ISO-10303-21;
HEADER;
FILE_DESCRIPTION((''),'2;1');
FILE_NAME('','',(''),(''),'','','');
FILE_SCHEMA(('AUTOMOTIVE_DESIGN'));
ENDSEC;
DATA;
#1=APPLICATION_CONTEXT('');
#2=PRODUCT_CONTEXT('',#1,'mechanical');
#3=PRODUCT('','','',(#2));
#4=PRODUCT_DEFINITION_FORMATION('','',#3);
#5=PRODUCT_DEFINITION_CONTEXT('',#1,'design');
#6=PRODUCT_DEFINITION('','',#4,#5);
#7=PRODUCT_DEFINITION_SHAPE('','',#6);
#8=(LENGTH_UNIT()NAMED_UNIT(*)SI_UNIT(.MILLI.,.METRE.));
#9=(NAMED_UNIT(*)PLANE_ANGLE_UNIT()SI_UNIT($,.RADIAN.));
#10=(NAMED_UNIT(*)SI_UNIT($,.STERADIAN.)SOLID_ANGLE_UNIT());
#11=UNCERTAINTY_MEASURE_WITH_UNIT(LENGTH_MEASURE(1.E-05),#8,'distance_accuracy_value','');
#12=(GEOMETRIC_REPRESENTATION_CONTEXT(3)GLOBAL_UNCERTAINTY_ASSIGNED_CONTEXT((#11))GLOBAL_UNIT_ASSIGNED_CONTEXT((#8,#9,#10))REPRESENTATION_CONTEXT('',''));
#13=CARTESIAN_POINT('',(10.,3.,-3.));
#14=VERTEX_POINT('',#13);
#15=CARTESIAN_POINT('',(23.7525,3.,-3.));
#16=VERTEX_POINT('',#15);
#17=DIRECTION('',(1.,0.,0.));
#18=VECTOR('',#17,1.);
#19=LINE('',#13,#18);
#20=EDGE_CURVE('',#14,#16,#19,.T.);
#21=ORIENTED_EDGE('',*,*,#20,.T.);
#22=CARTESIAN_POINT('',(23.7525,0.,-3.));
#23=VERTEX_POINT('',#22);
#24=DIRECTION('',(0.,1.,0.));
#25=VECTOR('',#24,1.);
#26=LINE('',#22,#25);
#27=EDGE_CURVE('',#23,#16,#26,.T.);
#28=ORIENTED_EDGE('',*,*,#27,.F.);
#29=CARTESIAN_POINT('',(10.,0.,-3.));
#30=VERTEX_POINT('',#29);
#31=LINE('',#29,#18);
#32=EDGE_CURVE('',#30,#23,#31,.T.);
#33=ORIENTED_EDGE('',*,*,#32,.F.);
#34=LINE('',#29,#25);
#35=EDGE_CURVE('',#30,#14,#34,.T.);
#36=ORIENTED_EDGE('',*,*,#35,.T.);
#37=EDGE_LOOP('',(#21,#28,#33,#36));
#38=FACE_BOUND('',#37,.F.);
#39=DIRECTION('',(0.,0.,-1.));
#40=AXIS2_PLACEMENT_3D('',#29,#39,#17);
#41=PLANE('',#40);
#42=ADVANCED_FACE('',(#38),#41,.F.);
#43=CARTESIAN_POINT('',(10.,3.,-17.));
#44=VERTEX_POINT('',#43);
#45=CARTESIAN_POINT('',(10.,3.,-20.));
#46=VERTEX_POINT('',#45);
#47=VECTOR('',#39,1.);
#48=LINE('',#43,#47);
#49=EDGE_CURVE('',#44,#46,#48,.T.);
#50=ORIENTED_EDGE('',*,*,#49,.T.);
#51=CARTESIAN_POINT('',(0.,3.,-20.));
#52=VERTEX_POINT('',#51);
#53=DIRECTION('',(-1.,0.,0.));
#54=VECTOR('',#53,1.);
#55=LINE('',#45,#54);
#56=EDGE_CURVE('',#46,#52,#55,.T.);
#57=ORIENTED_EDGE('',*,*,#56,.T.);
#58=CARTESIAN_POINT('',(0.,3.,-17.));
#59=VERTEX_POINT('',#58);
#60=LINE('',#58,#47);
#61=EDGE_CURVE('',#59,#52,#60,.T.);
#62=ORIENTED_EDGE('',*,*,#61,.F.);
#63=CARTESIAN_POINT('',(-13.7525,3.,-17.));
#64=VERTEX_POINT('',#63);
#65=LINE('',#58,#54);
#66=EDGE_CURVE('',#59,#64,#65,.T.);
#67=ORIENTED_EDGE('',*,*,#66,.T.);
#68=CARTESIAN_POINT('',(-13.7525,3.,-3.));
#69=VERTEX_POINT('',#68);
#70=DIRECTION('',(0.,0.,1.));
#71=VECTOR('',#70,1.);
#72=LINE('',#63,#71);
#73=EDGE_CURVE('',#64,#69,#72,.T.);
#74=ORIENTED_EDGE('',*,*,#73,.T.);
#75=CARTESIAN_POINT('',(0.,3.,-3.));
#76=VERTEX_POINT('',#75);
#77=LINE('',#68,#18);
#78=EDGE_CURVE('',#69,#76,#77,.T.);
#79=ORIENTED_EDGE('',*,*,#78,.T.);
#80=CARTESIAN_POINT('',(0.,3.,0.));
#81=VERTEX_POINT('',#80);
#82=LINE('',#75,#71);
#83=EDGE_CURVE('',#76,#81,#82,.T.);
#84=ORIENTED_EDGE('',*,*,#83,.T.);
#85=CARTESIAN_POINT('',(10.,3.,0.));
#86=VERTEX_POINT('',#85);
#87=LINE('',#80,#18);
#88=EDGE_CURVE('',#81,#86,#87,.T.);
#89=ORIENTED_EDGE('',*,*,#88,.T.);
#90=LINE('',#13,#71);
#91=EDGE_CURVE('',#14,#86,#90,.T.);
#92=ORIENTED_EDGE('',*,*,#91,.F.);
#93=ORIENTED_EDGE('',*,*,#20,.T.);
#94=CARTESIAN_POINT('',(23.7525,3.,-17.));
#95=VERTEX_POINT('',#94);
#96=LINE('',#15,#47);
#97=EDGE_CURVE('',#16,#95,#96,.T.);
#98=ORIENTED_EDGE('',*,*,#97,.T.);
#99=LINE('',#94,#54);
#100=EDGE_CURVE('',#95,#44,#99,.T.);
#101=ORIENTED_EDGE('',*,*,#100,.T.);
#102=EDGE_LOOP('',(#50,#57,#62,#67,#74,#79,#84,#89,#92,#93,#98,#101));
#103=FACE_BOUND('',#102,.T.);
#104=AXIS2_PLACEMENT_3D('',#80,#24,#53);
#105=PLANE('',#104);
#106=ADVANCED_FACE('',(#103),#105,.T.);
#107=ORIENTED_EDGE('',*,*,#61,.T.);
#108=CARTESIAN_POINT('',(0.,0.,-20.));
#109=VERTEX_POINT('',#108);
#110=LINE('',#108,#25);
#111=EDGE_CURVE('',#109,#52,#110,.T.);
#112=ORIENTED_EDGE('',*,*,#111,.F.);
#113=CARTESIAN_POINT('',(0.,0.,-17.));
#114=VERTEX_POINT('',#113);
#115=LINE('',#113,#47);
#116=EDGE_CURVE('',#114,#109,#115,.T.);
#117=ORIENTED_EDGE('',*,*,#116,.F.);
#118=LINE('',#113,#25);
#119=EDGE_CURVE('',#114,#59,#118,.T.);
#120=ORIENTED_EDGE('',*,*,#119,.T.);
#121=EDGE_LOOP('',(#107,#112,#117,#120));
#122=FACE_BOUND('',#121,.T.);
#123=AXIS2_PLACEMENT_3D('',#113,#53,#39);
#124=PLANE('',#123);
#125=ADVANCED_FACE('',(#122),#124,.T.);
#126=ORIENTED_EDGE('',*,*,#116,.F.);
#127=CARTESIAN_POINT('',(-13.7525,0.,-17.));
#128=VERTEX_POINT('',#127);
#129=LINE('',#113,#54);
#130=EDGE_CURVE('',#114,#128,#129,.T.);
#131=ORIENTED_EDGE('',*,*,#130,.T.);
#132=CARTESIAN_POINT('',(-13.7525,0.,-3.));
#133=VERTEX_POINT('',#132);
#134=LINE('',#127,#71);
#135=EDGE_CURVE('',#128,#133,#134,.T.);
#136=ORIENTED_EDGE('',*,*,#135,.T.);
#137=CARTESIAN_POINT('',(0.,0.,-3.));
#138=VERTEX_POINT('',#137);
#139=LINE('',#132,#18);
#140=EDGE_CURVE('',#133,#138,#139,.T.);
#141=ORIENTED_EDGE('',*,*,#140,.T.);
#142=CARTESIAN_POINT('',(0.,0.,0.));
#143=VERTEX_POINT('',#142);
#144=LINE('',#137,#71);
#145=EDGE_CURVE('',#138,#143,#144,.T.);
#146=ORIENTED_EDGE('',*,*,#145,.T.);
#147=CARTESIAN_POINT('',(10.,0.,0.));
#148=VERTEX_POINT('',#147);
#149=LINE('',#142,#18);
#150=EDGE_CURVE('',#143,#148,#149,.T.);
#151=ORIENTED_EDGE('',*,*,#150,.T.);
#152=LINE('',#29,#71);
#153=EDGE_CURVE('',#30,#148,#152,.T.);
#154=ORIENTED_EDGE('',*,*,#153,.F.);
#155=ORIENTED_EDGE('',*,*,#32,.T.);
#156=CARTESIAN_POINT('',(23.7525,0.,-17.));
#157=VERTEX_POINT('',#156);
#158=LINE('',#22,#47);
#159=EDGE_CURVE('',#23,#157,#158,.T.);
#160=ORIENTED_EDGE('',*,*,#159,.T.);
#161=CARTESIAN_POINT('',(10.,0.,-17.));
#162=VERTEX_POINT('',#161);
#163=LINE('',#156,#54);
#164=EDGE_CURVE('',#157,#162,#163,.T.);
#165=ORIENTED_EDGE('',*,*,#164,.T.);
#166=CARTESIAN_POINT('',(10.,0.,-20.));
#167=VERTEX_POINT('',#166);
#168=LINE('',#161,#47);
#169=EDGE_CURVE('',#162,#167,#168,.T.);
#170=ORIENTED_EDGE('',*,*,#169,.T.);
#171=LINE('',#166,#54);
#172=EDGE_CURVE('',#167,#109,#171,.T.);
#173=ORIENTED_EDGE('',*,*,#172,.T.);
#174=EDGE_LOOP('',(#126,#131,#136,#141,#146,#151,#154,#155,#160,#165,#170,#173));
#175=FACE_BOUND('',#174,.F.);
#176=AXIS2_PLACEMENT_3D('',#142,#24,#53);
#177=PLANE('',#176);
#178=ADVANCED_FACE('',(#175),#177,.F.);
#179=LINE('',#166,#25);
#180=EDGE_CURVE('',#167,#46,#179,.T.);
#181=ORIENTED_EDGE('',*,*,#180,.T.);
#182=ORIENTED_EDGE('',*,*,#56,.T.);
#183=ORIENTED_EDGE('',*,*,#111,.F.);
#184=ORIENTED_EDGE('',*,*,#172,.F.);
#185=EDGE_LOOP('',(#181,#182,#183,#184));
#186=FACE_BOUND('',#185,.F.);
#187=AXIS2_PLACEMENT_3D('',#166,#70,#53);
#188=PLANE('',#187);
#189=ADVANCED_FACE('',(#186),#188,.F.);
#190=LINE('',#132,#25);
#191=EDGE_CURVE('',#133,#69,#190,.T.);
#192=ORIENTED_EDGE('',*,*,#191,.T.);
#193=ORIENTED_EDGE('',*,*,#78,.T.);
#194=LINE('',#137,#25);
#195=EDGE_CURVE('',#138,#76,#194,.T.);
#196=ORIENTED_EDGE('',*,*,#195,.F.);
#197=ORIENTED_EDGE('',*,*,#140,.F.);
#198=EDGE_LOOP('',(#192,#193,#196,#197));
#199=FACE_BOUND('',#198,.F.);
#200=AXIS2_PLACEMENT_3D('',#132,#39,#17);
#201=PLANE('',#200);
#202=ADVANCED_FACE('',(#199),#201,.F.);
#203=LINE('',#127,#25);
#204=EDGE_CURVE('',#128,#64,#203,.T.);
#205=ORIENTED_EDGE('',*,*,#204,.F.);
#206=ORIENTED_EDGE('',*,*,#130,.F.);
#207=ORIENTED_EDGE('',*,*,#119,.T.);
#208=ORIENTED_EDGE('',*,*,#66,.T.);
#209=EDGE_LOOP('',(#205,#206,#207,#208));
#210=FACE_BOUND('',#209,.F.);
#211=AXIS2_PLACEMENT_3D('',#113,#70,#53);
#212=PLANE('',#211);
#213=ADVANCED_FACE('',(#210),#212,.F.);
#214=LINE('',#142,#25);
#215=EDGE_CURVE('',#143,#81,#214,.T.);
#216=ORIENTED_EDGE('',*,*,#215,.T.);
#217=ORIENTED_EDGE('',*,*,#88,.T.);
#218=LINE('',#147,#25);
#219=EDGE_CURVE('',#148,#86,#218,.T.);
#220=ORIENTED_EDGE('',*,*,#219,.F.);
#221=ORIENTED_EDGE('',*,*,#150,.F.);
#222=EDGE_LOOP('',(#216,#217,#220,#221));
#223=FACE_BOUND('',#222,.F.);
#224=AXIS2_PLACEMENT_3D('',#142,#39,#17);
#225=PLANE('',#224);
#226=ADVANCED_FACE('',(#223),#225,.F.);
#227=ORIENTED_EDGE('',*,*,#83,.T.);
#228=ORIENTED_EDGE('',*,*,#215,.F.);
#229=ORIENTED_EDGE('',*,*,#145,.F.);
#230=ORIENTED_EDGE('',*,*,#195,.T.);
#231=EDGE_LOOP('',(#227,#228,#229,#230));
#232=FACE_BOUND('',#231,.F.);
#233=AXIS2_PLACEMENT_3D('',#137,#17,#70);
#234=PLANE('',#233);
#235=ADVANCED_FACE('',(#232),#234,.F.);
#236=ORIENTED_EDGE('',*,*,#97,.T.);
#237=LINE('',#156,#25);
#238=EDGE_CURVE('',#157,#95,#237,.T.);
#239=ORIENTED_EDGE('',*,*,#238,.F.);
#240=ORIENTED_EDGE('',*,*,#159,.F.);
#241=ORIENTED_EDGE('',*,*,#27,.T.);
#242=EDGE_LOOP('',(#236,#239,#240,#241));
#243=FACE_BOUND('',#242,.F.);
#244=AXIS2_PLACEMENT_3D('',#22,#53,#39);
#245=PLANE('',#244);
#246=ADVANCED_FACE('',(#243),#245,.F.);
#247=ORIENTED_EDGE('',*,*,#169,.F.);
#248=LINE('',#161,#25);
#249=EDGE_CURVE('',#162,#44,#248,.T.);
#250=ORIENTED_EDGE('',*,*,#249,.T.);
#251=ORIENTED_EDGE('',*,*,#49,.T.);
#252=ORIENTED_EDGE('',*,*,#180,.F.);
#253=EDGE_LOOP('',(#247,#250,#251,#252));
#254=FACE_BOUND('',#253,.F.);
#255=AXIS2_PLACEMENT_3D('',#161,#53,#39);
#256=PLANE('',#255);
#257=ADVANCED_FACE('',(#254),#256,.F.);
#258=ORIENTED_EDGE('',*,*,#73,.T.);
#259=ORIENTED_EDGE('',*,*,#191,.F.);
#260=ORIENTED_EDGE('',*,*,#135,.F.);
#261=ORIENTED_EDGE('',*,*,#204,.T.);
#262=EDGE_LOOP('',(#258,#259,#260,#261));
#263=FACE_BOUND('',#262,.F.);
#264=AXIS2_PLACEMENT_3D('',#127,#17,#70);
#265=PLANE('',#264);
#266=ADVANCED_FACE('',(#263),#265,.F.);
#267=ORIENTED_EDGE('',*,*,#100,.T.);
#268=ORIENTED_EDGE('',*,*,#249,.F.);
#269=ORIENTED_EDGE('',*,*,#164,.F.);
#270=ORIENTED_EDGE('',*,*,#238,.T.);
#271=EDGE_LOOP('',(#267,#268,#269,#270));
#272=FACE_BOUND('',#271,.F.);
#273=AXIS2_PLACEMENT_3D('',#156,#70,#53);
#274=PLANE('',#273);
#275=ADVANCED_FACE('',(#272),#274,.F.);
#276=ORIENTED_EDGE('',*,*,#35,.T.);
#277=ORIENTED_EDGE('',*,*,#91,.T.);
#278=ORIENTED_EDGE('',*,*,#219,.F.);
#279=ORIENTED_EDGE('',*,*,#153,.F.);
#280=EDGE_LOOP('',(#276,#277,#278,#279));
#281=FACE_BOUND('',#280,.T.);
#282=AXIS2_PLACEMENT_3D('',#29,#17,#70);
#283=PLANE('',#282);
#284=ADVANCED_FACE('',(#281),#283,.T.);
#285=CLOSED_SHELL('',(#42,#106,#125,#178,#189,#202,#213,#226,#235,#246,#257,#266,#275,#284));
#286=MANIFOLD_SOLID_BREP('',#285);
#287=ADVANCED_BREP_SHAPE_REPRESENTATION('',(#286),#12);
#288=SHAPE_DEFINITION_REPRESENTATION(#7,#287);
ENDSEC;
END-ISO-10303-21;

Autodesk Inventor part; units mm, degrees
ref_plane "YZ Plane" through (0, 0, 0) normal (1, 0, 0) x (0, 1, 0)
ref_plane "XZ Plane" through (0, 0, 0) normal (0, 1, 0) x (-1, 0, 0)
ref_plane "XY Plane" through (0, 0, 0) normal (0, 0, 1) x (1, 0, 0)
sketch "Boceto1" plane through (0, 0, 0) normal (0, 1, 0) x (-1, 0, 0)
  line L0 (0, 0) -> (-10, 0)
  line L1 (-23.7525, -3) -> (-23.7525, -17)
  line L2 (-10, -20) -> (0, -20)
  line L3 (13.7525, -17) -> (13.7525, -3)
  line L4 (0, -17) -> (0, -20)
  line L5 (-10, -17) -> (-10, -20)
  line L6 (-23.7525, -17) -> (-10, -17)
  line L7 (0, -17) -> (13.7525, -17)
  line L8 (0, -3) -> (0, 0)
  line L9 (-10, -3) -> (-10, 0)
  line L10 (13.7525, -3) -> (0, -3)
  line L11 (-10, -3) -> (-23.7525, -3)
  dimension "d0" = 37.505
  dimension "d3" = 20
  dimension "d4" = 10
  dimension "d5" = 3
extrude "Extrusión1" add sketch "Boceto1" along normal blind 3
properties part number "Top1"
